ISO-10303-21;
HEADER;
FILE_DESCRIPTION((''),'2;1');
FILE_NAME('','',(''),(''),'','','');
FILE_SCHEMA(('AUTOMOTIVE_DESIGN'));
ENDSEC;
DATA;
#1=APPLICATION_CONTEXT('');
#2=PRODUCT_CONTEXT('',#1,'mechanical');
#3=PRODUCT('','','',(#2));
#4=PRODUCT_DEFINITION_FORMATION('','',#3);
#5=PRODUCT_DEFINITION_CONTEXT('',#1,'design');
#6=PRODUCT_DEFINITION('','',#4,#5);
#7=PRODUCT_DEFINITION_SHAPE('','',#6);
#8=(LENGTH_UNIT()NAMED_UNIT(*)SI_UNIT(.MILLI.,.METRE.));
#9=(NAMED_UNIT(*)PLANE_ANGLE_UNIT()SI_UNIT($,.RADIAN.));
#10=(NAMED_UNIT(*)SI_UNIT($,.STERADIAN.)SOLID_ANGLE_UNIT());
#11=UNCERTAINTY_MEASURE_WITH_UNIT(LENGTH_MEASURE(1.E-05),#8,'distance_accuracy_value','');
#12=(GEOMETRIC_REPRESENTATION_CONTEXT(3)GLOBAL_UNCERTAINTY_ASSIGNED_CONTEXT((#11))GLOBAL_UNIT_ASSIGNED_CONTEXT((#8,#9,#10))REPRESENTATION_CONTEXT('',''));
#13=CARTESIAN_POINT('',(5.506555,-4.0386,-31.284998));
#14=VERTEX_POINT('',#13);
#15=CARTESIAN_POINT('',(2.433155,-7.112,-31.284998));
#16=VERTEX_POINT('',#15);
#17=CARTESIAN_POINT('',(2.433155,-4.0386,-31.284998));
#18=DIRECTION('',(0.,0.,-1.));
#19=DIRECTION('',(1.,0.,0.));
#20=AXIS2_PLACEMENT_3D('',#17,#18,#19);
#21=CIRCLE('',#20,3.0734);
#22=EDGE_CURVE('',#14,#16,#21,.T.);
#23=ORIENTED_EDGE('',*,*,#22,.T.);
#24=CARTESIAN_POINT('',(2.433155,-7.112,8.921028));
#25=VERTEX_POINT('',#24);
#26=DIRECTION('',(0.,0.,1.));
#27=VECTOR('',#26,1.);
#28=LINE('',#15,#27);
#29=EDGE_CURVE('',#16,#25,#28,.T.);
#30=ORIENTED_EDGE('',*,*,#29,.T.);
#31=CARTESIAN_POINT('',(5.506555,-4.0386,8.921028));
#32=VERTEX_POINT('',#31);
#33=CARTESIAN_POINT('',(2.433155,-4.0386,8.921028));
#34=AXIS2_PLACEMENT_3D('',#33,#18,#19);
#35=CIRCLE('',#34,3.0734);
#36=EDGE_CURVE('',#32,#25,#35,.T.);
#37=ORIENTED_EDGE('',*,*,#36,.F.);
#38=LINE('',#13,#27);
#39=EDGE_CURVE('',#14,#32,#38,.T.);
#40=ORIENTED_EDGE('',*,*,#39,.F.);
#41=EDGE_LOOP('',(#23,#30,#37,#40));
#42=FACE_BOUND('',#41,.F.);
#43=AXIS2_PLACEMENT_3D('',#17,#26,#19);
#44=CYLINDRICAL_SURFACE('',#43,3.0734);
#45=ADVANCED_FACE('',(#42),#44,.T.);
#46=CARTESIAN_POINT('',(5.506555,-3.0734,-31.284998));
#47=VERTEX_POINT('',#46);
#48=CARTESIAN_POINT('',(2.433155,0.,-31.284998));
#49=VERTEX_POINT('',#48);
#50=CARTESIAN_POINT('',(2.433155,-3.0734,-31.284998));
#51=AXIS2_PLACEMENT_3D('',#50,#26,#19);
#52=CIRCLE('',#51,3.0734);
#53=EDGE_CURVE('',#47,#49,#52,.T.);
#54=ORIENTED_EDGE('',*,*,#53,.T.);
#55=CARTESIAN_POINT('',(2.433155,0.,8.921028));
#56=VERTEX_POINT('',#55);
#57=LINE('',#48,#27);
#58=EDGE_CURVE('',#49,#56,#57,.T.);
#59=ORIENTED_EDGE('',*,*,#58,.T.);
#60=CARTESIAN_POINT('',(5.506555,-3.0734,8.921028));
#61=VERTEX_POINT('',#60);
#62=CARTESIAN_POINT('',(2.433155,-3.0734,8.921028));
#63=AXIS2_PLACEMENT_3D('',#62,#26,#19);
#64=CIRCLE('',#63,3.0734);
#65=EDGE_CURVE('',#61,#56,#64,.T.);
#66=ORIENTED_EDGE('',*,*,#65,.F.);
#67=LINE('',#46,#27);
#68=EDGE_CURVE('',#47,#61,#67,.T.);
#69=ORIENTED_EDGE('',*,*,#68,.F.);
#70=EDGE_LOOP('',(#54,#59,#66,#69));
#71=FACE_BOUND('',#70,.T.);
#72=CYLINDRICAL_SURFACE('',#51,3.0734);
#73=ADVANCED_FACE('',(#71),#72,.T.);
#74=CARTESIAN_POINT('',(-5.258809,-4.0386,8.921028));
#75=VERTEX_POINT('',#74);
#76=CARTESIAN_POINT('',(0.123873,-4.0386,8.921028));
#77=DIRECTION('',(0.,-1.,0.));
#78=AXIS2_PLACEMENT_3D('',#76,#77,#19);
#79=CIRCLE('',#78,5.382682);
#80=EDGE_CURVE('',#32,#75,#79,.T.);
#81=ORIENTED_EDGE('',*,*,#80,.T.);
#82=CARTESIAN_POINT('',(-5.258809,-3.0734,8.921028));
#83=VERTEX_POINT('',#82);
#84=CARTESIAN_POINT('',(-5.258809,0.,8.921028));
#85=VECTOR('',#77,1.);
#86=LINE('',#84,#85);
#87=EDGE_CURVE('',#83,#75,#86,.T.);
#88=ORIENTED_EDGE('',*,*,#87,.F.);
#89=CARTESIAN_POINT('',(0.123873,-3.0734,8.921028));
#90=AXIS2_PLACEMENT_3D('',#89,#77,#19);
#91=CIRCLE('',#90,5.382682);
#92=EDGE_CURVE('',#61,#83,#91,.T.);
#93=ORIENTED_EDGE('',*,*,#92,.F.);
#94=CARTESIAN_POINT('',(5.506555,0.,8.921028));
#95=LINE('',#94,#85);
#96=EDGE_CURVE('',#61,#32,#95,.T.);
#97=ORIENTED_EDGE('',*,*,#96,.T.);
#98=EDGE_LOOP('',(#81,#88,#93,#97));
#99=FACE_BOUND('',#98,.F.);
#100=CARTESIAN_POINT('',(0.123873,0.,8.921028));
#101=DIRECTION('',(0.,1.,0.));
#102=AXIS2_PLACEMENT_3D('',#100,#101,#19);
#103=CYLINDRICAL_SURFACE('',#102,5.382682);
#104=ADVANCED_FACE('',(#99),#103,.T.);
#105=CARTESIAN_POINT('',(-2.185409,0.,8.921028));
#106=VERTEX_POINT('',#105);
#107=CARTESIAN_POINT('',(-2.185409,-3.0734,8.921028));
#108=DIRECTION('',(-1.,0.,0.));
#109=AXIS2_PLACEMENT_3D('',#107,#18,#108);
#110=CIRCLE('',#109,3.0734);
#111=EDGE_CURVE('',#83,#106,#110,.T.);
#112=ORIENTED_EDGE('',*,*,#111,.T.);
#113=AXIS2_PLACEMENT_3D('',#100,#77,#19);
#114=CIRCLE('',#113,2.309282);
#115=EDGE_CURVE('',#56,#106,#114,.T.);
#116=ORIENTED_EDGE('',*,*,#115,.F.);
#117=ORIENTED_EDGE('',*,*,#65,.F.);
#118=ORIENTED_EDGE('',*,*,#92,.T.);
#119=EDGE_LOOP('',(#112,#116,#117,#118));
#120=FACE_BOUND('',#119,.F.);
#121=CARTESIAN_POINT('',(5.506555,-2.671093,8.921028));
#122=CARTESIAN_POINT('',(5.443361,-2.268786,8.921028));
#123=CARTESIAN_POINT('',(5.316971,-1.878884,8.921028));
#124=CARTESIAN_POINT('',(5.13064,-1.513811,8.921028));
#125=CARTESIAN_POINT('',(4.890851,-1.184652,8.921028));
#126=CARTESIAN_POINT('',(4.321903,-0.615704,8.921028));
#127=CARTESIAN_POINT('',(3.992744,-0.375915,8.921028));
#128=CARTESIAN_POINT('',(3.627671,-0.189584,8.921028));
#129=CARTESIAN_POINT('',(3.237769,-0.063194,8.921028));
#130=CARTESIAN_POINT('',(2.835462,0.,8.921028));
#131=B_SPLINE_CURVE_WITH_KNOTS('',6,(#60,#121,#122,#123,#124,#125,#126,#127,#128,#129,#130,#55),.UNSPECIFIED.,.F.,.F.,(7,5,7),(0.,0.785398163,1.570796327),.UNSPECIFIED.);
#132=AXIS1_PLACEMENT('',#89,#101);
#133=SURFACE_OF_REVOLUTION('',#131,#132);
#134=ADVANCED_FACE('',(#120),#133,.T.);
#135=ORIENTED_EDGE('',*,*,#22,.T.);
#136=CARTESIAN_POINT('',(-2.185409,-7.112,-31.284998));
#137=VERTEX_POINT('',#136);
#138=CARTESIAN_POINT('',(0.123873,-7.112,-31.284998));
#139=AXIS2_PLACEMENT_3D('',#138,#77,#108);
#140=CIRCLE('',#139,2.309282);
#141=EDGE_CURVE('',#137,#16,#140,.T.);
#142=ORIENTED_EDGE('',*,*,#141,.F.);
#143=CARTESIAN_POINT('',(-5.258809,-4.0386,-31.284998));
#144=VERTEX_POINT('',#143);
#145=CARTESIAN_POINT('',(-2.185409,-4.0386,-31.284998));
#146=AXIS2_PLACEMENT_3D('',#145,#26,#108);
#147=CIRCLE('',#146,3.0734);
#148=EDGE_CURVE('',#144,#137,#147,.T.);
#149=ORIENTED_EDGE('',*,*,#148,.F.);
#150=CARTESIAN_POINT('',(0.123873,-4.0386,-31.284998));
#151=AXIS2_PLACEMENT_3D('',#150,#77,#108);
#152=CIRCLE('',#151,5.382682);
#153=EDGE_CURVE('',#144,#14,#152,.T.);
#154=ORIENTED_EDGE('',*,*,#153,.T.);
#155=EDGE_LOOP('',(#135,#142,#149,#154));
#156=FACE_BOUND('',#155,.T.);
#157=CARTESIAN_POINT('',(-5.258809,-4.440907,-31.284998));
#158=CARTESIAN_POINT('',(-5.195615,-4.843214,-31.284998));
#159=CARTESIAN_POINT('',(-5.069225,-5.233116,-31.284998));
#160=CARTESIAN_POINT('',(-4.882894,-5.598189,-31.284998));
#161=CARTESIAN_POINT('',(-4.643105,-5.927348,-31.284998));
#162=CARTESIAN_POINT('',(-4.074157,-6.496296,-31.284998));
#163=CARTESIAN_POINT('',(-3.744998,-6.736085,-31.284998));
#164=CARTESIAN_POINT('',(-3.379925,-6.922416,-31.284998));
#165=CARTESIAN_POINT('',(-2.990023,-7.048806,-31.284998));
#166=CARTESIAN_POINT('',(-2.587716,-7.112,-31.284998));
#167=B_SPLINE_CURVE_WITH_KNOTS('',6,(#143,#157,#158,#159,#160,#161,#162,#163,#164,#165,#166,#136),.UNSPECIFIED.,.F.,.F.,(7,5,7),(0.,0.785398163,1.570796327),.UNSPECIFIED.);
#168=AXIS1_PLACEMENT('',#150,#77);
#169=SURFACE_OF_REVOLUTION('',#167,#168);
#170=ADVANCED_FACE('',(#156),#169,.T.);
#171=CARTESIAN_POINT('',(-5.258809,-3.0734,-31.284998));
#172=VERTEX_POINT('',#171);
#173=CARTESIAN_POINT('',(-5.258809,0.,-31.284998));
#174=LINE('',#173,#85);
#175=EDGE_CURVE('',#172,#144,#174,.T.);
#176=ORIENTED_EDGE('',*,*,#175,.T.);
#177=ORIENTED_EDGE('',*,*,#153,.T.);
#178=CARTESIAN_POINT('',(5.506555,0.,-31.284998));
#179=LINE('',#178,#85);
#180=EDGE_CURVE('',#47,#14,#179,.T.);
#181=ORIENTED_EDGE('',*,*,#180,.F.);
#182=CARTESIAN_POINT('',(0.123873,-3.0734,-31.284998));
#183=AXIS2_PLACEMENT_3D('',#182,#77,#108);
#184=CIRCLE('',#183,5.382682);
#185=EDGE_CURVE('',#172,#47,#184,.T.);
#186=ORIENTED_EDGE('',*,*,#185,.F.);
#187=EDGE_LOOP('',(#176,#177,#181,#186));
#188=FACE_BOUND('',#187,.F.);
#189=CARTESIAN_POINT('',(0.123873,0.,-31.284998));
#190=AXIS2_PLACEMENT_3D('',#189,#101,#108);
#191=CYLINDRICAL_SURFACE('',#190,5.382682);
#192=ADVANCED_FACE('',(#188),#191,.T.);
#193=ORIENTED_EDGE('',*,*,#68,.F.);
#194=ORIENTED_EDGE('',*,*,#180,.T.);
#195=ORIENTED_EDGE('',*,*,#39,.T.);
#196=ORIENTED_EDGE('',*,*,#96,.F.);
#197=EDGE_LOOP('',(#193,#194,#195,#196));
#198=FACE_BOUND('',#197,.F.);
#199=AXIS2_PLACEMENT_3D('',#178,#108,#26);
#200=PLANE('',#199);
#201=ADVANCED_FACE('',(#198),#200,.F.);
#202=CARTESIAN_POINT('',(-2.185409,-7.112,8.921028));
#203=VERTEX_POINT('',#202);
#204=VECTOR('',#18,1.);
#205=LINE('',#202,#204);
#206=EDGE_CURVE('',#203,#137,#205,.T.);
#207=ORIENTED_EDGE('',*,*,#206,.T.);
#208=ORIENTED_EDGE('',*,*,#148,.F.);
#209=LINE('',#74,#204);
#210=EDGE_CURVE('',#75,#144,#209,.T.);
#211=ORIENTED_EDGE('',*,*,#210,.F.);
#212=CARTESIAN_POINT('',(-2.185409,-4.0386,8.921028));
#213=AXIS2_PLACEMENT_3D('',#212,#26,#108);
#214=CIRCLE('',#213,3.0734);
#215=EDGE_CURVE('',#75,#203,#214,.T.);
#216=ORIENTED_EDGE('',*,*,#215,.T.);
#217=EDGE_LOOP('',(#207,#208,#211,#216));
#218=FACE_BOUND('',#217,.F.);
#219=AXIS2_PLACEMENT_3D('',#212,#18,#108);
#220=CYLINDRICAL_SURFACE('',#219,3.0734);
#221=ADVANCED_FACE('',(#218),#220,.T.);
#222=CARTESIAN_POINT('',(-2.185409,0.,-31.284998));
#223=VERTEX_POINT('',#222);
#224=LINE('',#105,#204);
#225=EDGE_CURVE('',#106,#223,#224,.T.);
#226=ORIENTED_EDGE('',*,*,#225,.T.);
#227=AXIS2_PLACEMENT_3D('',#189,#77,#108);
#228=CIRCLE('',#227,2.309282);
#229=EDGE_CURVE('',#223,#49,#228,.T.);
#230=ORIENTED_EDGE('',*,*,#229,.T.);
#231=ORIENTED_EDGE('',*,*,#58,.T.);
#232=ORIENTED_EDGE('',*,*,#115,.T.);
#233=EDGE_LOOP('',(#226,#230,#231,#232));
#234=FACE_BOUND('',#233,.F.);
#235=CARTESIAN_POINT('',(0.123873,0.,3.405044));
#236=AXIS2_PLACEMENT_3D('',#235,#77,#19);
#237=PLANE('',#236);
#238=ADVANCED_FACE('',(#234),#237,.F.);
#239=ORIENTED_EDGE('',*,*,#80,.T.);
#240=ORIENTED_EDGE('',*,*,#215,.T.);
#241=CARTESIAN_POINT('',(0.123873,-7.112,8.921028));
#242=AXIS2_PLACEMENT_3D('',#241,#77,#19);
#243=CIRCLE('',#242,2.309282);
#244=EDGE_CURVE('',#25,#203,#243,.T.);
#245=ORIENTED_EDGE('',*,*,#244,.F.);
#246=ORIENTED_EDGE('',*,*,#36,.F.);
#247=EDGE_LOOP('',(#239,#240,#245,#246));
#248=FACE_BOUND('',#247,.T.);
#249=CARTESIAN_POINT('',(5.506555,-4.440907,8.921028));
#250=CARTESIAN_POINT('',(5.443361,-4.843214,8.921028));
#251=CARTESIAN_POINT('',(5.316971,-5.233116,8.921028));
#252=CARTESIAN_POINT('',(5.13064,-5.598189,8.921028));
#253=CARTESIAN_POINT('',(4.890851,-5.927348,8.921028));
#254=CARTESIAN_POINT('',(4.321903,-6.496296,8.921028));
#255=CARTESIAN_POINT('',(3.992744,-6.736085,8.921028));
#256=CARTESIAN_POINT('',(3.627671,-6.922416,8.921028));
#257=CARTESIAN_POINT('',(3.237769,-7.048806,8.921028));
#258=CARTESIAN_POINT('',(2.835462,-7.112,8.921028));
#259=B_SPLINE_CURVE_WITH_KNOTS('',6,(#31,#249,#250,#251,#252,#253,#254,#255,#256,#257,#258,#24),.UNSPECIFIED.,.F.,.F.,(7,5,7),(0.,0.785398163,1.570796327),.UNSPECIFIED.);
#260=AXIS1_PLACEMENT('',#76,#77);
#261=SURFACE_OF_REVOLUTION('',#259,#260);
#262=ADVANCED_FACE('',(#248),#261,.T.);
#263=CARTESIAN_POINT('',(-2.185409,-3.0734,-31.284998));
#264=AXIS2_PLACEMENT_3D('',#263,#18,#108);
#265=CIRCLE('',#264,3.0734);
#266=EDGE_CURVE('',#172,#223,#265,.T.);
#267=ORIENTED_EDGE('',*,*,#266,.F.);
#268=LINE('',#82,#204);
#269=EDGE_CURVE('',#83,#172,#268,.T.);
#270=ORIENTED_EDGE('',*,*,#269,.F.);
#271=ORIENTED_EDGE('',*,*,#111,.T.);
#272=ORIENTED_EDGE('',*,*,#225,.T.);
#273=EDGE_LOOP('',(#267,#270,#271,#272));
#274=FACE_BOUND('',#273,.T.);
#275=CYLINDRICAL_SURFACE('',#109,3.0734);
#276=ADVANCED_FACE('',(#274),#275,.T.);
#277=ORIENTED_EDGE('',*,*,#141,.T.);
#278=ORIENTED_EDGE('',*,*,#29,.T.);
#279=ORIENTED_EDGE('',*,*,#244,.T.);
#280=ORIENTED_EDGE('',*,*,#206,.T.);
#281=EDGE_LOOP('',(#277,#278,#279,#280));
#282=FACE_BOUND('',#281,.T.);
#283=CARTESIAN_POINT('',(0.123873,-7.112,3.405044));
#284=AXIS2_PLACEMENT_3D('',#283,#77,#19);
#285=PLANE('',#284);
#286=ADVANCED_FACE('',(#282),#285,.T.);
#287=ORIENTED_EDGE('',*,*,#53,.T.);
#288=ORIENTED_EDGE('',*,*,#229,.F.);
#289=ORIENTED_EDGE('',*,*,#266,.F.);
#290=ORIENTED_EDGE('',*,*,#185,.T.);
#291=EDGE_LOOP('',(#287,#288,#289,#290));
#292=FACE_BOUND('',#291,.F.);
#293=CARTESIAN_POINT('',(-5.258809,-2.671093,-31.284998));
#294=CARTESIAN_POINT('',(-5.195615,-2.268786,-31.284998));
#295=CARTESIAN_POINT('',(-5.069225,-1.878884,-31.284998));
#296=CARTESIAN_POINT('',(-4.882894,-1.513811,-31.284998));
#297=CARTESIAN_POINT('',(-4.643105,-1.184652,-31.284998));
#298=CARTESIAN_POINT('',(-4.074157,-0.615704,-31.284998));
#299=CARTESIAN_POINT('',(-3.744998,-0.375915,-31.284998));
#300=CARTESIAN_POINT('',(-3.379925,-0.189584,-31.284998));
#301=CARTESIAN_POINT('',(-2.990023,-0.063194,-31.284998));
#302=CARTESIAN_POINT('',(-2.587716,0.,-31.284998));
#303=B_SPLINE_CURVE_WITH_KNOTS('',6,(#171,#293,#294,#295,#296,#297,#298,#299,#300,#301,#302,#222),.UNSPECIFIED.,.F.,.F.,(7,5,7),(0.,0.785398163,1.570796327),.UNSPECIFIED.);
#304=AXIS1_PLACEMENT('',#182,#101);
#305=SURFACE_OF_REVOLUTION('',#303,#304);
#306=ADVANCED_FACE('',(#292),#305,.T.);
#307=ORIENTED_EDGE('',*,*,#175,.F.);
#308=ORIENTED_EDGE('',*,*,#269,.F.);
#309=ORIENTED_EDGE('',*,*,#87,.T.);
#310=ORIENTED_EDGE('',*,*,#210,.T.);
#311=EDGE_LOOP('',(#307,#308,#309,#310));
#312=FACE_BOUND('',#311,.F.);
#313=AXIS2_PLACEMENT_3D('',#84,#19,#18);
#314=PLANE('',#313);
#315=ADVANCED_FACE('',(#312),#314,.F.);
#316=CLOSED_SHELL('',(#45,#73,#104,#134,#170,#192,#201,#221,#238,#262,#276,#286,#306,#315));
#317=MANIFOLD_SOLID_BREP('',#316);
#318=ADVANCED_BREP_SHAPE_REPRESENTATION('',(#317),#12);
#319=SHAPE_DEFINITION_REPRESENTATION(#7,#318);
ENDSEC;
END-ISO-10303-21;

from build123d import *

# Parameters (mm, degrees)
F1_DEPTH = 7.112
F2_R     = 3.0734


with BuildPart() as f1:
    # F0 (on Front) → F1 (new body)
    with BuildSketch(Plane.XZ):
        with BuildLine():
            ThreePointArc((-5.258809, -5.404494), (0.123873, -0.021812), (5.506555, -5.404494))
            Line((5.506555, -5.404494), (5.506555, 1.758267))
            Line((5.506555, 1.758267), (5.506555, 5.966515))
            Line((5.506555, 5.966515), (5.506555, 8.921028))
            ThreePointArc((5.506555, 8.921028), (0.123873, 14.30371), (-5.258809, 8.921028))
            Line((-5.258809, 8.921028), (-5.258809, 2.41463))
            Line((-5.258809, 2.41463), (-5.258809, -5.404494))
        make_face()
        with BuildLine():
            Line((-5.258809, -5.404494), (5.506555, -5.404494))
            ThreePointArc((5.506555, -5.404494), (0.123873, -0.021812), (-5.258809, -5.404494))
        make_face()
        with BuildLine():
            ThreePointArc((-5.258809, -5.404494), (0.123873, -10.787176), (5.506555, -5.404494))
            Line((5.506555, -5.404494), (-5.258809, -5.404494))
        make_face()
        with BuildLine():
            ThreePointArc((-5.258809, -31.284998), (0.123873, -36.66768), (5.506555, -31.284998))
            Line((5.506555, -31.284998), (5.506555, -5.404494))
            ThreePointArc((5.506555, -5.404494), (0.123873, -10.787176), (-5.258809, -5.404494))
            Line((-5.258809, -5.404494), (-5.258809, -12.387301))
            Line((-5.258809, -12.387301), (-5.258809, -31.284998))
        make_face()
    extrude(amount=F1_DEPTH)

    # F2
    f2_edges = [f1.edges().sort_by_distance(p)[0] for p in [
        (5.506555, -7.112, -11.181985),
        (5.506555, 0, -11.181985),
        (-5.258809, 0, -11.181985),
        (-5.258809, -7.112, -11.181985),
        (0.123873, 0, 14.30371),
        (0.123873, -7.112, 14.30371),
        (0.123873, 0, -36.66768),
        (0.123873, -7.112, -36.66768),
    ]]
    fillet(f2_edges, radius=F2_R)


solid = f1.part
